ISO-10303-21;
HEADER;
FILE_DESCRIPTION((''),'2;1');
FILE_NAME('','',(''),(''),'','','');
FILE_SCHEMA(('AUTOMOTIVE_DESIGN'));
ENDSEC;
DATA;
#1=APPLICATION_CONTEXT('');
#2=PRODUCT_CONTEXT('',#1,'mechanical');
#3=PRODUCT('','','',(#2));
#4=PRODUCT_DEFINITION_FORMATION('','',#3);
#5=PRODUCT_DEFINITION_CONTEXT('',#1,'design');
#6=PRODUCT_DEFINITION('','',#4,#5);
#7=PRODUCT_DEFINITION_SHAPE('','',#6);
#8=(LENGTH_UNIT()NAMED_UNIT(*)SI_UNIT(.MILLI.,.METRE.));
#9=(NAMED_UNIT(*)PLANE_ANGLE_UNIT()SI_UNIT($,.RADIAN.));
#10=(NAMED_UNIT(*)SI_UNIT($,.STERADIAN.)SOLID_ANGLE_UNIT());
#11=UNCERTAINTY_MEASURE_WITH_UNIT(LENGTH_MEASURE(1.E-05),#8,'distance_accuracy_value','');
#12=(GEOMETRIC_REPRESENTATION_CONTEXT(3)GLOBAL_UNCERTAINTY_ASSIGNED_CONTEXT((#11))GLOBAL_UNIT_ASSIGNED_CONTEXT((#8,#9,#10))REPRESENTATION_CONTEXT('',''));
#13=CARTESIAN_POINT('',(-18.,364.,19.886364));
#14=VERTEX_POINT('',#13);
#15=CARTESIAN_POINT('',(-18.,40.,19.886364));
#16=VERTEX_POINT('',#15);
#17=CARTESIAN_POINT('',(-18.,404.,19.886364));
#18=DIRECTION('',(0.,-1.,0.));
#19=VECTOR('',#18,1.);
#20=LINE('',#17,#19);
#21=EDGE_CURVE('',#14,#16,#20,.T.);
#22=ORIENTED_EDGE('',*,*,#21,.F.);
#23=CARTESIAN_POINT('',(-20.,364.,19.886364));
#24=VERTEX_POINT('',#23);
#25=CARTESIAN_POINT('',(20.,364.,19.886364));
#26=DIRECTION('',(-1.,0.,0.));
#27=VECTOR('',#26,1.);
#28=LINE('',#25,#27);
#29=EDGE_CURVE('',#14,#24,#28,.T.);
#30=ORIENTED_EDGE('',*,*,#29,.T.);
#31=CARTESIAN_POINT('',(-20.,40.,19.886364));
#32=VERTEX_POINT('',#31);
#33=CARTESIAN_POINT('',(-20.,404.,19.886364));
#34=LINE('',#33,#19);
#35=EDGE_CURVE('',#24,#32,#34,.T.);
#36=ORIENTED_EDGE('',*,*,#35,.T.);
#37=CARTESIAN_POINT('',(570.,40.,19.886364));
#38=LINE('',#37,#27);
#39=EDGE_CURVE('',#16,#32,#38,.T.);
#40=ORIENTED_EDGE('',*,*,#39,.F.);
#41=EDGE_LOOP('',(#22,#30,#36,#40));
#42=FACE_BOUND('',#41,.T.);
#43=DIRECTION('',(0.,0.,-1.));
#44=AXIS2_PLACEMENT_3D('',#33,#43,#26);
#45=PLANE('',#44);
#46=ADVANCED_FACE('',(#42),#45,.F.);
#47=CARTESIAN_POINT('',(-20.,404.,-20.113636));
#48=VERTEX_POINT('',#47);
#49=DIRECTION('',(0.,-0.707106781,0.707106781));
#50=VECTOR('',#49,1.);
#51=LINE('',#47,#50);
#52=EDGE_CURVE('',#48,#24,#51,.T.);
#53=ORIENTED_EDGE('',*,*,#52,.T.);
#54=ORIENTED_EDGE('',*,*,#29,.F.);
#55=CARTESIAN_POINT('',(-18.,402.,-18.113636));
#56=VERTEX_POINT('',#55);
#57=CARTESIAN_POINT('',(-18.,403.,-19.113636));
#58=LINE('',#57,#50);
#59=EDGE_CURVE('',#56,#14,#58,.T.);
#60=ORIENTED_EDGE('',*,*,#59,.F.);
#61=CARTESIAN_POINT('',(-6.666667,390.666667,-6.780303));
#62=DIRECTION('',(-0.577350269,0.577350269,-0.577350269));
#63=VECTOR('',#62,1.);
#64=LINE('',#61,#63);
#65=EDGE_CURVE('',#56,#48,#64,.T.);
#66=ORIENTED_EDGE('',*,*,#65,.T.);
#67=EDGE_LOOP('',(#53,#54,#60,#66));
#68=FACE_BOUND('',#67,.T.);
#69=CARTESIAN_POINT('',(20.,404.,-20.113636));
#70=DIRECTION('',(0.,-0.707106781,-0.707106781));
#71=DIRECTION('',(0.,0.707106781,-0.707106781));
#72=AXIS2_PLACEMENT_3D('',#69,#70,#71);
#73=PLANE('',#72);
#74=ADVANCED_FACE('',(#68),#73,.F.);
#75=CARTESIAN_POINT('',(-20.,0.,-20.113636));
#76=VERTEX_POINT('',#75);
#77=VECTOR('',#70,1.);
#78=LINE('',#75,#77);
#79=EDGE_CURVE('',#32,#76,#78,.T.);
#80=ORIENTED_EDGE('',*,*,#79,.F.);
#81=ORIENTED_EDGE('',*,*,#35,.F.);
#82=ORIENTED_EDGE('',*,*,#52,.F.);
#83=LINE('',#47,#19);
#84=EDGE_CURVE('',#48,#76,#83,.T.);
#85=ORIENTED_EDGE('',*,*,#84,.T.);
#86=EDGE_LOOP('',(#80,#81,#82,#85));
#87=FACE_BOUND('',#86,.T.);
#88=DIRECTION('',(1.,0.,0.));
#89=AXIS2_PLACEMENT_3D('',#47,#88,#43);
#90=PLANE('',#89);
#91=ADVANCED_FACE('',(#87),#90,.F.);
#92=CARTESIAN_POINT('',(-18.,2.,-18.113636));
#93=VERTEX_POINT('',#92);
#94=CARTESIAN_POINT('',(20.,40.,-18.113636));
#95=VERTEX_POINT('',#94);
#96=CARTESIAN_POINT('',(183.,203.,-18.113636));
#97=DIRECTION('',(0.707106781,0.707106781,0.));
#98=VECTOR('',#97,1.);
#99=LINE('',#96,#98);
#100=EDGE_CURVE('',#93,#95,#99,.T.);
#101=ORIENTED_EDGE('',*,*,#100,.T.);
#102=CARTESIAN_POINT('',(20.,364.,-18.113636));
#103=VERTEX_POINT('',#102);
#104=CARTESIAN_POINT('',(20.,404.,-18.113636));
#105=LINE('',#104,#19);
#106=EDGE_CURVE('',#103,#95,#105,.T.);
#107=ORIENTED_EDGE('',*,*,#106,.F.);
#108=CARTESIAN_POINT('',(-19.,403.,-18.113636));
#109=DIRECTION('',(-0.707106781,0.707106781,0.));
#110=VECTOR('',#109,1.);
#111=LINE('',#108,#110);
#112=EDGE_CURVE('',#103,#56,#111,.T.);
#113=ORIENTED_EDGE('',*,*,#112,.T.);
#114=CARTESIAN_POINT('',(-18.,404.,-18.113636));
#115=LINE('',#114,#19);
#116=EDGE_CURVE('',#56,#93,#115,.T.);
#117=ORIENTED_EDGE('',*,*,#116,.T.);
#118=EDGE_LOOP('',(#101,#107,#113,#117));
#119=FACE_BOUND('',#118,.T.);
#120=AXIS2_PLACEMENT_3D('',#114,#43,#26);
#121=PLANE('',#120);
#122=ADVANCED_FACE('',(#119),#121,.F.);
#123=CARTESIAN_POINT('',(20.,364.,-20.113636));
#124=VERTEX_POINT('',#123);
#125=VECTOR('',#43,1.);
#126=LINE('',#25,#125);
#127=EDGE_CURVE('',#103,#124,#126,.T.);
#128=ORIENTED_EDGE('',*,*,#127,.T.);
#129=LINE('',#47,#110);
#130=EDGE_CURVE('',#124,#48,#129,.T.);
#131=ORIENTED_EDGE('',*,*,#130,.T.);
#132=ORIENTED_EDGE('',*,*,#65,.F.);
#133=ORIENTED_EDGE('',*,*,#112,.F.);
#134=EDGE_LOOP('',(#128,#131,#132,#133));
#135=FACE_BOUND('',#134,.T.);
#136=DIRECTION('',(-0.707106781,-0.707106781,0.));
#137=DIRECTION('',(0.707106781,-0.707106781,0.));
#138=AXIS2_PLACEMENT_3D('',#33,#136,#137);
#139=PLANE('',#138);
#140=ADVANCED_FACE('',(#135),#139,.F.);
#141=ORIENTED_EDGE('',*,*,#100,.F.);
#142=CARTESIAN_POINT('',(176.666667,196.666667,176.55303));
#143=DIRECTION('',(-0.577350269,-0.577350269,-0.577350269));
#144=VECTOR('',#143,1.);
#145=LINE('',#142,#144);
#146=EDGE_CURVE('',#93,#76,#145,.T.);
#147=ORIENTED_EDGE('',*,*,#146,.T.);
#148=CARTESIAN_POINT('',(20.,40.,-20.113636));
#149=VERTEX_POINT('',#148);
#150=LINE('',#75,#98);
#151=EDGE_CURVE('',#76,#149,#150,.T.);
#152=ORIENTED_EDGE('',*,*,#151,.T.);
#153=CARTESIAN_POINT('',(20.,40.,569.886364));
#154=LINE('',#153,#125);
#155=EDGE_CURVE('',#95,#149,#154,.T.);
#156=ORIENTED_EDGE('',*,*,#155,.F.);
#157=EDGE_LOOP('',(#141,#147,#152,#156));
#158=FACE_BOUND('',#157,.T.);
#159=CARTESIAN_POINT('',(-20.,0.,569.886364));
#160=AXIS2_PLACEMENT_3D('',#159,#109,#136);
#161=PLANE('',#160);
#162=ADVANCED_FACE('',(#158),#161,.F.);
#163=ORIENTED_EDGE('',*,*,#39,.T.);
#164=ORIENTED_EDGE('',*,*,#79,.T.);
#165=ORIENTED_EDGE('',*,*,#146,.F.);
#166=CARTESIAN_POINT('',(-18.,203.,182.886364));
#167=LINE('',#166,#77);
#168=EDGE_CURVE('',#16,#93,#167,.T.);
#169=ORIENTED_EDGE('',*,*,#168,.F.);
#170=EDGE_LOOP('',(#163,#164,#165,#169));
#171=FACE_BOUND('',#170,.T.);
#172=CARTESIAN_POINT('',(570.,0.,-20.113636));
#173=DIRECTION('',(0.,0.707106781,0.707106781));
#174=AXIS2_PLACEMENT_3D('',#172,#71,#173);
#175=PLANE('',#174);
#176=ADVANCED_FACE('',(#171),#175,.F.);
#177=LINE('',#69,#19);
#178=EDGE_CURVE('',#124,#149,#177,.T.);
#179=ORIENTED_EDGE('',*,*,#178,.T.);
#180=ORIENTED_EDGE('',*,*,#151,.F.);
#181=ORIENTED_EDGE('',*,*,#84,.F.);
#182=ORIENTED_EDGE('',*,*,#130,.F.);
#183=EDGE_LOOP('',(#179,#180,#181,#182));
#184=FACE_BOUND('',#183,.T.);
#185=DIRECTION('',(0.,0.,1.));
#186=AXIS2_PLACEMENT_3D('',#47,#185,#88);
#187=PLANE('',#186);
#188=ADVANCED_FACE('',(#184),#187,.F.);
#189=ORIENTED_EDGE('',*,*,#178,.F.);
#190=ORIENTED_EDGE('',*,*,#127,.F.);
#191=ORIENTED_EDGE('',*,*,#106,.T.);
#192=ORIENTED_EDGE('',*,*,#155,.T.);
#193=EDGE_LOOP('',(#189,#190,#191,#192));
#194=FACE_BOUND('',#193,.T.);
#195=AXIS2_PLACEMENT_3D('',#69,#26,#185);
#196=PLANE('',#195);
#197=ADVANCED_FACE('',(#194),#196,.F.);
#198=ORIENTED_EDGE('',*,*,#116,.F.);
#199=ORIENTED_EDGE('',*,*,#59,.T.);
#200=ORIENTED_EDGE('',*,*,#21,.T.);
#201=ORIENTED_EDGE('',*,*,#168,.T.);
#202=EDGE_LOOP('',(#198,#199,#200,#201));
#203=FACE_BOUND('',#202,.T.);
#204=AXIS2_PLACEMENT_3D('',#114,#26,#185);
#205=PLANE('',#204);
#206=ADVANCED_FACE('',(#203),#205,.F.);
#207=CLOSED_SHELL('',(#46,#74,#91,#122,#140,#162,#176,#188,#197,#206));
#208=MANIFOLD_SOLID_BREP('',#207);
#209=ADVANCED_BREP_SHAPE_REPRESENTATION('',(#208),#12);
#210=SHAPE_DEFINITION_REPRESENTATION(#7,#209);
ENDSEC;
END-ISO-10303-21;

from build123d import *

# Parameters (mm, degrees)
BOSS_EXTRU_1_DEPTH      = 404
ENL_V_MAT_EXTRU_1_DEPTH = 590
ENL_V_MAT_EXTRU_2_DEPTH = 590
ENL_V_MAT_EXTRU_3_DEPTH = 41
ENL_V_MAT_EXTRU_4_DEPTH = 41


with BuildPart() as part:
    # Esquisse1 → Boss.-Extru.1 (new body)
    with BuildSketch(Plane(origin=(0, 0, 0), x_dir=(1, 0, 0), z_dir=(0, 1, 0))):
        Polygon((-20, 20.113636364), (20, 20.113636364), (20, 18.113636364), (-18, 18.113636364), (-18, -19.886363636), (-20, -19.886363636), align=None)
    extrude(amount=BOSS_EXTRU_1_DEPTH)

    # Esquisse2 → Enlèv. mat.-Extru.1 (cut)
    with BuildSketch(Plane(origin=(0, 0, -20.113636364), x_dir=(-1, 0, 0), z_dir=(0, 0, -1))):
        Polygon((20, 0), (-20, 40), (-20, 0), align=None)
    extrude(amount=-ENL_V_MAT_EXTRU_1_DEPTH, mode=Mode.SUBTRACT)

    # Esquisse3 → Enlèv. mat.-Extru.2 (cut)
    with BuildSketch(Plane.ZY.offset(20)):
        Polygon((-20.113636364, 0), (19.886363636, 40), (19.886363636, 0), align=None)
    extrude(amount=-ENL_V_MAT_EXTRU_2_DEPTH, mode=Mode.SUBTRACT)

    # Esquisse4 → Enlèv. mat.-Extru.3 (cut, through all)
    with BuildSketch(Plane.ZY.offset(20)):
        Polygon((-20.113636364, 404), (19.886363636, 364), (19.886363636, 404), align=None)
    extrude(amount=-ENL_V_MAT_EXTRU_3_DEPTH, mode=Mode.SUBTRACT)

    # Esquisse5 → Enlèv. mat.-Extru.4 (cut, through all)
    with BuildSketch(Plane(origin=(0, 0, -20.113636364), x_dir=(-1, 0, 0), z_dir=(0, 0, -1))):
        Polygon((20, 404), (-20, 364), (-20, 404), align=None)
    extrude(amount=-ENL_V_MAT_EXTRU_4_DEPTH, mode=Mode.SUBTRACT)


solid = part.part
